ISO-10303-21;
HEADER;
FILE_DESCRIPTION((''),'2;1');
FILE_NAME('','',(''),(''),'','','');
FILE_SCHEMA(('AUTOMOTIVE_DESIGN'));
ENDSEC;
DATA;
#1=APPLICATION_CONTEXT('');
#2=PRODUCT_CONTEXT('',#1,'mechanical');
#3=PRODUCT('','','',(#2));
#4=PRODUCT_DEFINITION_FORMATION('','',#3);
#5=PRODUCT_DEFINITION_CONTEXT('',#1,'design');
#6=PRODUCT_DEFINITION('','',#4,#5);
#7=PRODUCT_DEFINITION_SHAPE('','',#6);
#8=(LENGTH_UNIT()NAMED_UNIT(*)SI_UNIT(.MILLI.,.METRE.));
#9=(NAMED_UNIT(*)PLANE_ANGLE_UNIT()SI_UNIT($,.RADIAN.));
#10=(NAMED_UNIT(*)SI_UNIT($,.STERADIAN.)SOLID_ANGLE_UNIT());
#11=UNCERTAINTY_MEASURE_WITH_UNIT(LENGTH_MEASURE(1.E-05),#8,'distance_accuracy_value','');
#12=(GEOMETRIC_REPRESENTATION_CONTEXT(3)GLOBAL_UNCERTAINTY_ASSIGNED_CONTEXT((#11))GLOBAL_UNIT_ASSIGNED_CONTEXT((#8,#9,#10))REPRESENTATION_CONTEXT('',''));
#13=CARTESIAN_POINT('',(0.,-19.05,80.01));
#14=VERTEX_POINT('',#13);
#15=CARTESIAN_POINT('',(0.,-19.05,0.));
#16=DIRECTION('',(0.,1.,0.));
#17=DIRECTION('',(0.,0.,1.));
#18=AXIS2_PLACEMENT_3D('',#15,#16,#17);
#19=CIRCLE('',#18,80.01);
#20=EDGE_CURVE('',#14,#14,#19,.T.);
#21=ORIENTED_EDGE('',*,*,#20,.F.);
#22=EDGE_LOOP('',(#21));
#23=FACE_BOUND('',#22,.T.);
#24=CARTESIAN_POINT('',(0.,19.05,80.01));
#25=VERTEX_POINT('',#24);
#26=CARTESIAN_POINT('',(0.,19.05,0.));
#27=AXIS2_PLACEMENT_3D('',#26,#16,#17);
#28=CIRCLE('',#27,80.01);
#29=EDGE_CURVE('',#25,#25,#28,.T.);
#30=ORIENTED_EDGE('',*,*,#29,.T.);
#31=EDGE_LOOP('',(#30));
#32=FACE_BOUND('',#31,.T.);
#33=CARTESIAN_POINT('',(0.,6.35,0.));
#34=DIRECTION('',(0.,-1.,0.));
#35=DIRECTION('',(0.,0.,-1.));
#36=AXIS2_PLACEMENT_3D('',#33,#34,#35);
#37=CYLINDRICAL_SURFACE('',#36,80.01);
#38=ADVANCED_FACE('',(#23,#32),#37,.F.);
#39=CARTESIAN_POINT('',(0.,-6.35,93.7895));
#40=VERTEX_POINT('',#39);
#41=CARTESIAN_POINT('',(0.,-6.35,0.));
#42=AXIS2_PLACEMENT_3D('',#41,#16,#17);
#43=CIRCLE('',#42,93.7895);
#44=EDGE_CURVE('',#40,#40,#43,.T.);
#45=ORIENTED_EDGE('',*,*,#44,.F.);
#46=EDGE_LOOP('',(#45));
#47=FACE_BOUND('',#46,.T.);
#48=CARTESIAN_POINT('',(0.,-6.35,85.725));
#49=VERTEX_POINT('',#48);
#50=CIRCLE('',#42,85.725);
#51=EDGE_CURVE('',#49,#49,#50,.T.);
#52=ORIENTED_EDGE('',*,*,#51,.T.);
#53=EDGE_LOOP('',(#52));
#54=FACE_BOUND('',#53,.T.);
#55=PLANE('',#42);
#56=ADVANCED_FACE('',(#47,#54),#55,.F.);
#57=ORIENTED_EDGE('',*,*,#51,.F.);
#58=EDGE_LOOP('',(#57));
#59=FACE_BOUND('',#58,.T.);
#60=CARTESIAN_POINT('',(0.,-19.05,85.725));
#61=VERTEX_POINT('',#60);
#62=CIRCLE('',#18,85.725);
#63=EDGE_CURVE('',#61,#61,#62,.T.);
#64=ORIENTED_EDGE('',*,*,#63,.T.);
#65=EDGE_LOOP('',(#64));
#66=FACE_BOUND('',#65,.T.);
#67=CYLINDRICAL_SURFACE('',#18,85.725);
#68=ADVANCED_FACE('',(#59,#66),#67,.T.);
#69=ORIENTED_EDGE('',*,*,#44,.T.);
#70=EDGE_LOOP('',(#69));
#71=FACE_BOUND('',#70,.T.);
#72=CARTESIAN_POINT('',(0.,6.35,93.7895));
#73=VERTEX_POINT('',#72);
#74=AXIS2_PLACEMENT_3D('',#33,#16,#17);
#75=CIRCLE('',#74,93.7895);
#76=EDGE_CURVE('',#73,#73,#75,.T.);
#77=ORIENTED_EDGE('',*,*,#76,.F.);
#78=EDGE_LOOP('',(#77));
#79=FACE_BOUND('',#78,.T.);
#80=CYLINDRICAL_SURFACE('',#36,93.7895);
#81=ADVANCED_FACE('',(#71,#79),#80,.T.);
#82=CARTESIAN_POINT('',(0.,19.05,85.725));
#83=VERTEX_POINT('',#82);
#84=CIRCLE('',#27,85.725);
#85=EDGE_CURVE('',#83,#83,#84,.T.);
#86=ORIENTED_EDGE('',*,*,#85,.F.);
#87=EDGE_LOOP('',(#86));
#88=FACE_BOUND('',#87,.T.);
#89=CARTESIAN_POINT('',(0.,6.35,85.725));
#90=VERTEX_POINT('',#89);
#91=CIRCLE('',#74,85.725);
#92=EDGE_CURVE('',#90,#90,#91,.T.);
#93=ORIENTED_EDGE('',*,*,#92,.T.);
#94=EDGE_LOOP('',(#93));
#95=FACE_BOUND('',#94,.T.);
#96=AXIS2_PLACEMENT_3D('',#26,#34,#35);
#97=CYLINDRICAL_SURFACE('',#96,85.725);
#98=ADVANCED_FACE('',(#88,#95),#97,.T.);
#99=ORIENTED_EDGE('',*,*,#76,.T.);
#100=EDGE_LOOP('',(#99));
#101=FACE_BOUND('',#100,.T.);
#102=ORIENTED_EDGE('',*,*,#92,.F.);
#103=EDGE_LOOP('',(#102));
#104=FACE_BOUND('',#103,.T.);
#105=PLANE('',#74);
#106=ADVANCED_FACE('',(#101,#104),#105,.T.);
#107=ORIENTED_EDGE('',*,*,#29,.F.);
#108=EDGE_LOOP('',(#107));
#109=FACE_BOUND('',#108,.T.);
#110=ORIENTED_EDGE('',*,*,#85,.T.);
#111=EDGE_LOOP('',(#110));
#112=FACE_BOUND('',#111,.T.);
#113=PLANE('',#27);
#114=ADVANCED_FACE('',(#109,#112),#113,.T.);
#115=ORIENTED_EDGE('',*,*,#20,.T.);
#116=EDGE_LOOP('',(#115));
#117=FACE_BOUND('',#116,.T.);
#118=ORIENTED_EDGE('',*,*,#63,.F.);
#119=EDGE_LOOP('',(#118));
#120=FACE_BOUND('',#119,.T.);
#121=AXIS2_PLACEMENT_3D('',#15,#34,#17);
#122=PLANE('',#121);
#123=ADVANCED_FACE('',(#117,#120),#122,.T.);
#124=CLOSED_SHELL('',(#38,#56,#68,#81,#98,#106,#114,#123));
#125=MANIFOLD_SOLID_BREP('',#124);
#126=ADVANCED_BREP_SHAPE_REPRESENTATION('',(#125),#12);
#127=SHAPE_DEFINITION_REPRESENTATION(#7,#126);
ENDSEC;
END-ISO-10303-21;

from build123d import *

# Parameters (mm, degrees)
SKETCH1_R           = 93.7895
SKETCH1_R_2         = 80.01
BOSS_EXTRUDE1_DEPTH = 6.35
SKETCH3_R           = 85.725
SKETCH3_R_2         = 80.01
BOSS_EXTRUDE2_DEPTH = 12.7


with BuildPart() as part:
    # Sketch1 → Boss-Extrude1 (new body, symmetric)
    with BuildSketch(Plane(origin=(0, 0, 0), x_dir=(1, 0, 0), z_dir=(0, 1, 0))):
        Circle(SKETCH1_R)
        Circle(SKETCH1_R_2, mode=Mode.SUBTRACT)
    extrude(amount=BOSS_EXTRUDE1_DEPTH, both=True)

    # Sketch3 → Boss-Extrude2 (add)
    with BuildSketch(Plane(origin=(0, 6.35, 0), x_dir=(1, 0, 0), z_dir=(0, 1, 0))):
        Circle(SKETCH3_R)
        Circle(SKETCH3_R_2, mode=Mode.SUBTRACT)
    boss_extrude2 = extrude(amount=BOSS_EXTRUDE2_DEPTH)

    # Mirror2: Boss-Extrude2 across plane
    add(boss_extrude2.mirror(Plane.ZX))


solid = part.part
